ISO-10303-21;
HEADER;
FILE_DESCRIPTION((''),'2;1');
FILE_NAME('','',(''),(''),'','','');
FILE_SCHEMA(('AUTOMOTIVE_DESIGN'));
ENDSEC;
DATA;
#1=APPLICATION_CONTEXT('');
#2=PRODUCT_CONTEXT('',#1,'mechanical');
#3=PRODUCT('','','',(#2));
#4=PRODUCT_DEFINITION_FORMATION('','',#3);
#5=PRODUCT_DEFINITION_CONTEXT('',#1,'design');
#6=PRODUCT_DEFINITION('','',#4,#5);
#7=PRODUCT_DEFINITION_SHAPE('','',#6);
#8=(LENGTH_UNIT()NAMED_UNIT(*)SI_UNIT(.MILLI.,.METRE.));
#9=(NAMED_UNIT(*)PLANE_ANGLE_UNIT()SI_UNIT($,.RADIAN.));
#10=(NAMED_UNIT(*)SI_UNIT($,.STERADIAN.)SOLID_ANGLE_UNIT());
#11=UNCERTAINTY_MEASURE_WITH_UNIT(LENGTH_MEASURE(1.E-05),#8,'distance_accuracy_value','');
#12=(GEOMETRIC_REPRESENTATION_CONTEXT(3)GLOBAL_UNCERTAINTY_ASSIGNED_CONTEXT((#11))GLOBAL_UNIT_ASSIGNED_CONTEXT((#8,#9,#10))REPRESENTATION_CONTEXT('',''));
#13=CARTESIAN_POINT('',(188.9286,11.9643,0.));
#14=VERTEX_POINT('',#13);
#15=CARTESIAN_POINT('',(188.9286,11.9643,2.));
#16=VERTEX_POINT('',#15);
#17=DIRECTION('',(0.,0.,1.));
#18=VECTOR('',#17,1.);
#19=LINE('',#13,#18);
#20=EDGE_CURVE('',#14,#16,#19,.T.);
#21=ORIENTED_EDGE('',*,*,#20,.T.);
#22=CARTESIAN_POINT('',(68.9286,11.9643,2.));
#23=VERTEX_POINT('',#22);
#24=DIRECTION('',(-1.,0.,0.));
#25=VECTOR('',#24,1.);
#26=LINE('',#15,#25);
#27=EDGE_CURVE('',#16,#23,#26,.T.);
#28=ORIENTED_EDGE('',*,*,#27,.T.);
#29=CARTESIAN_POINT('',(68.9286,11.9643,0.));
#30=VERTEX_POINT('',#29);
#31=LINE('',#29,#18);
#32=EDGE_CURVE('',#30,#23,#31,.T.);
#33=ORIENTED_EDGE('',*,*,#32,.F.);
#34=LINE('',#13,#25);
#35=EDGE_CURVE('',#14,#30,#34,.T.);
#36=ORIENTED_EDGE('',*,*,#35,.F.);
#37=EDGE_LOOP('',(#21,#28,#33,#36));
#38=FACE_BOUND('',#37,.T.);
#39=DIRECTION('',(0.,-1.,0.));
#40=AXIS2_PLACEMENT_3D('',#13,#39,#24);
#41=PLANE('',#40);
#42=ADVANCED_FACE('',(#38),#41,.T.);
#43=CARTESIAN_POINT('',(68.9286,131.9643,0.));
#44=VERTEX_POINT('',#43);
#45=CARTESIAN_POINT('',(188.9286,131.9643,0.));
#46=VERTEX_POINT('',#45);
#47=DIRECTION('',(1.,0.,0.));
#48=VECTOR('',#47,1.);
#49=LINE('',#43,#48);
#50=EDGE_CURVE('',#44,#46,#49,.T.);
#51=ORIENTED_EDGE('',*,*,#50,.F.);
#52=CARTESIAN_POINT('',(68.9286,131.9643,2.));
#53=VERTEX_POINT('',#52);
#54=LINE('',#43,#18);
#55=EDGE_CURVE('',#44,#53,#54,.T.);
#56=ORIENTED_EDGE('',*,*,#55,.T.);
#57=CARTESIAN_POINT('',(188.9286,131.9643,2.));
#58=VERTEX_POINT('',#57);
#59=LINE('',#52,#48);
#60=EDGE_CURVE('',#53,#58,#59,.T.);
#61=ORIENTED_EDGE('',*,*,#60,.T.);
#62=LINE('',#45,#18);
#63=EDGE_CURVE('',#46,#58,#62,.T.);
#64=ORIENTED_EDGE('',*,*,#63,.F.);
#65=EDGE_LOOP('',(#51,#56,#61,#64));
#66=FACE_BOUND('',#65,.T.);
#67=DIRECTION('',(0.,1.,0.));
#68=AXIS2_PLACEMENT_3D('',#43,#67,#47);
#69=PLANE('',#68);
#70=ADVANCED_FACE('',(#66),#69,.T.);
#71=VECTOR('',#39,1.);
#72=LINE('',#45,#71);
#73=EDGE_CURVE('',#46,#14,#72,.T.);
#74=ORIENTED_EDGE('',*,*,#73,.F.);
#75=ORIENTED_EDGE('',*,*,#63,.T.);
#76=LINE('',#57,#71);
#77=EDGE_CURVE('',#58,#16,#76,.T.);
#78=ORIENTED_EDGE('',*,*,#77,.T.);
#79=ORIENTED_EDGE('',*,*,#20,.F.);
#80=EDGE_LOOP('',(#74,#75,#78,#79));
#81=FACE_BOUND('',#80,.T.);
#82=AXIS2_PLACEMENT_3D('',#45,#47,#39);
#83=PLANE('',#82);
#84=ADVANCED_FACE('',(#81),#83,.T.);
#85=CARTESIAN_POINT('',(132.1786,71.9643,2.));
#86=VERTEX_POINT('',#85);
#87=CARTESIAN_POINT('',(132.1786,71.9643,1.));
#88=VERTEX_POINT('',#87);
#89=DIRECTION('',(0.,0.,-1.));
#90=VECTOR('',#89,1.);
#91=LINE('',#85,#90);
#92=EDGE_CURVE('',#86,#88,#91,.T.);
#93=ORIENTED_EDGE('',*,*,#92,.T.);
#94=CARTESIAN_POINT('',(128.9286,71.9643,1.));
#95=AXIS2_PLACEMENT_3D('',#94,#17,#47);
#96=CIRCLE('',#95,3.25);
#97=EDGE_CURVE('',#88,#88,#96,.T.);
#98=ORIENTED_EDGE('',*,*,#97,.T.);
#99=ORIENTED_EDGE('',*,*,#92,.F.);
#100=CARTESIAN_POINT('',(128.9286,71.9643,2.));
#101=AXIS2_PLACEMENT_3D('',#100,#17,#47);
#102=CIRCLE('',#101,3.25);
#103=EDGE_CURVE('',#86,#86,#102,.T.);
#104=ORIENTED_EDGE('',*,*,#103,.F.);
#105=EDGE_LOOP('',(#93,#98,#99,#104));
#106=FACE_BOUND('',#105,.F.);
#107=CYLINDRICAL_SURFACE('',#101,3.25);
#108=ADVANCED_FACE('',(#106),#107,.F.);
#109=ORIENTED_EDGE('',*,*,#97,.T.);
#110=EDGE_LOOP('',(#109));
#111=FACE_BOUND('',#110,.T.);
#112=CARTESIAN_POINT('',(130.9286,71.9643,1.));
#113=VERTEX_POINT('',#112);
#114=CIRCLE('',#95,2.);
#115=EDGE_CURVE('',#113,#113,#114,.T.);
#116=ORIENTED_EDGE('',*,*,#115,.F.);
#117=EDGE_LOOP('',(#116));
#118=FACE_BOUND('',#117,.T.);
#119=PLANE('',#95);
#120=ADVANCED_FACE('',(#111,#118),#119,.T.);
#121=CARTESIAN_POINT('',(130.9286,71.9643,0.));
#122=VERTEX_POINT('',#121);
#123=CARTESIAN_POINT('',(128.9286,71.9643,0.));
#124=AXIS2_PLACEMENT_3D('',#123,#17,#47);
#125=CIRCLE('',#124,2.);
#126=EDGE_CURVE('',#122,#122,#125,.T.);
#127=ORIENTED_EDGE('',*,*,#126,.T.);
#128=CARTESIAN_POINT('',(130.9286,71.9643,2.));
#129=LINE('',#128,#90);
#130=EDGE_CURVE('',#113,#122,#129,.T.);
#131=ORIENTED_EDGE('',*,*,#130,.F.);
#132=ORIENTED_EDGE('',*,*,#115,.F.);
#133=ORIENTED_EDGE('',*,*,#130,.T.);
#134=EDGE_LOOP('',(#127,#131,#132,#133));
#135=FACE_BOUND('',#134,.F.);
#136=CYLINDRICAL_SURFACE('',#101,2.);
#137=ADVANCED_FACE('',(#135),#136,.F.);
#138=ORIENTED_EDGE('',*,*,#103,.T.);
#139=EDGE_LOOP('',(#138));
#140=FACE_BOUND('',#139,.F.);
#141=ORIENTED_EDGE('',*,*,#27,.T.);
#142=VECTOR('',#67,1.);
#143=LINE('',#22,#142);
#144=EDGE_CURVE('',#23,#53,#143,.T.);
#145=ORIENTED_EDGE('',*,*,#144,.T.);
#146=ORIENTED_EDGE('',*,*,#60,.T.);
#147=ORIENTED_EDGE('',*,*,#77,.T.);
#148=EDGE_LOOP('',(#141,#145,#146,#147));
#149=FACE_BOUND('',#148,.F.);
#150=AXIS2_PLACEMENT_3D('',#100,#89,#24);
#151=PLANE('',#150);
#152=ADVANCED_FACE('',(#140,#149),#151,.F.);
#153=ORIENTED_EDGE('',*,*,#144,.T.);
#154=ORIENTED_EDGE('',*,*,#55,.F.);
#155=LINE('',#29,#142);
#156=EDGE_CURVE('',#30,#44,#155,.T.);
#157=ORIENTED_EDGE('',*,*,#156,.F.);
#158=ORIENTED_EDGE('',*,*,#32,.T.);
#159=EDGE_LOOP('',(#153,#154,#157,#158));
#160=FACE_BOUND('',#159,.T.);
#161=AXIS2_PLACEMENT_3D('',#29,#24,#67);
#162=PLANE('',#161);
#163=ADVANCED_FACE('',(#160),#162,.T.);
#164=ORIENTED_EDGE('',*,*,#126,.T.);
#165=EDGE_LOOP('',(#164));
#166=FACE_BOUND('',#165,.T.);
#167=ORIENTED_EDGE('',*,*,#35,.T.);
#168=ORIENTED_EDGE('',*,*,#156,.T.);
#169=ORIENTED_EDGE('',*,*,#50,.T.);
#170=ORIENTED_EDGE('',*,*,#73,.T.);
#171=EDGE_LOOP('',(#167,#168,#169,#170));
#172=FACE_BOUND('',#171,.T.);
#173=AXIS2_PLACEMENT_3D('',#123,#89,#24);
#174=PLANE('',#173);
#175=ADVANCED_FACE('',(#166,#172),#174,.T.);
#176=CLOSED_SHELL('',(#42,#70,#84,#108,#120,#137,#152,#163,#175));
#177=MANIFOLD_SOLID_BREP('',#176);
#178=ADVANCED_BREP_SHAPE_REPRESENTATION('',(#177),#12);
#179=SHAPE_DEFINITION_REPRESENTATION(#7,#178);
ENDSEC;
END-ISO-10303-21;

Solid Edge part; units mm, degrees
sketch "Sketch1" plane through (0, 0, 0) normal (0, 0, 1) x (1, 0, 0)
  line L0 (68.9286, 131.9643) -> (188.9286, 131.9643)
  line L1 (188.9286, 131.9643) -> (188.9286, 11.9643)
  line L2 (188.9286, 11.9643) -> (68.9286, 11.9643)
  line L3 (68.9286, 11.9643) -> (68.9286, 131.9643)
  dimension "D1" = 120
  dimension "D2" = 120
  dimension "D3" = 120
extrude "Protrusion1" add sketch "Sketch1" along normal blind 2
sketch "Sketch2" plane through (128.9286, 71.9643, 2) normal (0, 0, 1) x (1, 0, 0)
  circle A0 centre (0, 0) radius 2
  dimension "D1" = 60
  dimension "D2" = 60
  dimension "D3" = 60
extrude "Cutout1" cut sketch "Sketch2" against normal through all
sketch "Sketch3" plane through (128.9286, 71.9643, 2) normal (0, 0, 1) x (1, 0, 0)
  circle A0 centre (0, 0) radius 3.25
extrude "ExtrudedCutout_3" cut sketch "Sketch3" against normal blind 1
